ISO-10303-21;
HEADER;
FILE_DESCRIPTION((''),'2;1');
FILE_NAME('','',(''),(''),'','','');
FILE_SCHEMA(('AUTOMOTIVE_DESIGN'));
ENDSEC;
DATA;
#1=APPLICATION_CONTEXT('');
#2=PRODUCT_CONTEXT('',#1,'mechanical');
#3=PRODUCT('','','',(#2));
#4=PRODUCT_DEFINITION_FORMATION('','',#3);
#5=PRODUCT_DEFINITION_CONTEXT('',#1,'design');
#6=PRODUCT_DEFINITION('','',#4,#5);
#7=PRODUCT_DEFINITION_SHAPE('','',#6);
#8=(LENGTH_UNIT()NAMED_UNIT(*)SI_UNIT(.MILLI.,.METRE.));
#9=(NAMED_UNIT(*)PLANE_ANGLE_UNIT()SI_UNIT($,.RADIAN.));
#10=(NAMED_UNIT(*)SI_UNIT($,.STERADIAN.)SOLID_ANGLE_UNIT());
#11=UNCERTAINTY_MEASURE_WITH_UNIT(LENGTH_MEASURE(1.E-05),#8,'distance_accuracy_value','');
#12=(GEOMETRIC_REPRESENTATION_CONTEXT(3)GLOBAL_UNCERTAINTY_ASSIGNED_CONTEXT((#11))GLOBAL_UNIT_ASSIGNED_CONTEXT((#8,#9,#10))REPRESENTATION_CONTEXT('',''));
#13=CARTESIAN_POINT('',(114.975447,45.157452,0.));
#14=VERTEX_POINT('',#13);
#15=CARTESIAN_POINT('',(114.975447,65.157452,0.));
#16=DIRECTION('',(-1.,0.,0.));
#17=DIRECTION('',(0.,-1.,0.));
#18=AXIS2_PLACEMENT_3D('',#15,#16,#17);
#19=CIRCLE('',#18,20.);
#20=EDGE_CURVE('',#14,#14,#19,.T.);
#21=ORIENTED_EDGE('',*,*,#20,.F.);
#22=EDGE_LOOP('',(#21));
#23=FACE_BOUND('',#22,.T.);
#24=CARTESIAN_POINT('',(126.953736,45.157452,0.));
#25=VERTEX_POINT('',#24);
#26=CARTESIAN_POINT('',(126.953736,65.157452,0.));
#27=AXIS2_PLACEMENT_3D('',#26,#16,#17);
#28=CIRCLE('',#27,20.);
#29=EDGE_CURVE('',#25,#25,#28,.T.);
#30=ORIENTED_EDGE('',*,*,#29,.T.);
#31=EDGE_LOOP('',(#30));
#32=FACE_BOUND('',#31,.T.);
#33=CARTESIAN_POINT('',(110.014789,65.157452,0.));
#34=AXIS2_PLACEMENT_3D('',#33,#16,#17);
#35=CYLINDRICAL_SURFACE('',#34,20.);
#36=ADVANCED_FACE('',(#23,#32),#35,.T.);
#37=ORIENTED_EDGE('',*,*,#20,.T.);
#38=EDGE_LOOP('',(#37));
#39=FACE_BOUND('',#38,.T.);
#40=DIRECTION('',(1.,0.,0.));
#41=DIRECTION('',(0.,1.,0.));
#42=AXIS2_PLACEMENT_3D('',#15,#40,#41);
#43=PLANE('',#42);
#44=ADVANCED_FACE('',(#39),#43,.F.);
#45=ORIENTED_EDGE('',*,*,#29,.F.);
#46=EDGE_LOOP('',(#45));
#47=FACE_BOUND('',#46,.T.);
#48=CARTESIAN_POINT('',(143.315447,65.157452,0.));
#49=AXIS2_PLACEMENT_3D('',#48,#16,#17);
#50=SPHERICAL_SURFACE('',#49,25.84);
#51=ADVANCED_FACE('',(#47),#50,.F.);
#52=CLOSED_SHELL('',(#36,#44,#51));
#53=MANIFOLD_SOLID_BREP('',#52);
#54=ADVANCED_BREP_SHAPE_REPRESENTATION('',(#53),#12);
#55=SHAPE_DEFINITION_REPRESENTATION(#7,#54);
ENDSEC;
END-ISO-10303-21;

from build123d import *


with BuildPart() as part:
    # 草图1 → 旋转1 (revolve)
    with BuildSketch(Plane.XY, mode=Mode.PRIVATE) as revolve_1_sk:
        with BuildLine():
            Line((114.97544726, 65.157451827), (114.97544726, 85.157451827))
            Line((114.97544726, 85.157451827), (126.953735858, 85.157451827))
            ThreePointArc((126.953735858, 85.157451827), (119.96494167, 76.223593371), (117.47544726, 65.157451827))
            Line((117.47544726, 65.157451827), (114.97544726, 65.157451827))
        make_face()
    revolve(revolve_1_sk.sketch.rotate(Axis((110.014789249, 65.157451827, 0), (1, 0, 0)), 180), axis=Axis((110.014789249, 65.157451827, 0), (1, 0, 0)))  # turned: the seam where the file's is


solid = part.part
